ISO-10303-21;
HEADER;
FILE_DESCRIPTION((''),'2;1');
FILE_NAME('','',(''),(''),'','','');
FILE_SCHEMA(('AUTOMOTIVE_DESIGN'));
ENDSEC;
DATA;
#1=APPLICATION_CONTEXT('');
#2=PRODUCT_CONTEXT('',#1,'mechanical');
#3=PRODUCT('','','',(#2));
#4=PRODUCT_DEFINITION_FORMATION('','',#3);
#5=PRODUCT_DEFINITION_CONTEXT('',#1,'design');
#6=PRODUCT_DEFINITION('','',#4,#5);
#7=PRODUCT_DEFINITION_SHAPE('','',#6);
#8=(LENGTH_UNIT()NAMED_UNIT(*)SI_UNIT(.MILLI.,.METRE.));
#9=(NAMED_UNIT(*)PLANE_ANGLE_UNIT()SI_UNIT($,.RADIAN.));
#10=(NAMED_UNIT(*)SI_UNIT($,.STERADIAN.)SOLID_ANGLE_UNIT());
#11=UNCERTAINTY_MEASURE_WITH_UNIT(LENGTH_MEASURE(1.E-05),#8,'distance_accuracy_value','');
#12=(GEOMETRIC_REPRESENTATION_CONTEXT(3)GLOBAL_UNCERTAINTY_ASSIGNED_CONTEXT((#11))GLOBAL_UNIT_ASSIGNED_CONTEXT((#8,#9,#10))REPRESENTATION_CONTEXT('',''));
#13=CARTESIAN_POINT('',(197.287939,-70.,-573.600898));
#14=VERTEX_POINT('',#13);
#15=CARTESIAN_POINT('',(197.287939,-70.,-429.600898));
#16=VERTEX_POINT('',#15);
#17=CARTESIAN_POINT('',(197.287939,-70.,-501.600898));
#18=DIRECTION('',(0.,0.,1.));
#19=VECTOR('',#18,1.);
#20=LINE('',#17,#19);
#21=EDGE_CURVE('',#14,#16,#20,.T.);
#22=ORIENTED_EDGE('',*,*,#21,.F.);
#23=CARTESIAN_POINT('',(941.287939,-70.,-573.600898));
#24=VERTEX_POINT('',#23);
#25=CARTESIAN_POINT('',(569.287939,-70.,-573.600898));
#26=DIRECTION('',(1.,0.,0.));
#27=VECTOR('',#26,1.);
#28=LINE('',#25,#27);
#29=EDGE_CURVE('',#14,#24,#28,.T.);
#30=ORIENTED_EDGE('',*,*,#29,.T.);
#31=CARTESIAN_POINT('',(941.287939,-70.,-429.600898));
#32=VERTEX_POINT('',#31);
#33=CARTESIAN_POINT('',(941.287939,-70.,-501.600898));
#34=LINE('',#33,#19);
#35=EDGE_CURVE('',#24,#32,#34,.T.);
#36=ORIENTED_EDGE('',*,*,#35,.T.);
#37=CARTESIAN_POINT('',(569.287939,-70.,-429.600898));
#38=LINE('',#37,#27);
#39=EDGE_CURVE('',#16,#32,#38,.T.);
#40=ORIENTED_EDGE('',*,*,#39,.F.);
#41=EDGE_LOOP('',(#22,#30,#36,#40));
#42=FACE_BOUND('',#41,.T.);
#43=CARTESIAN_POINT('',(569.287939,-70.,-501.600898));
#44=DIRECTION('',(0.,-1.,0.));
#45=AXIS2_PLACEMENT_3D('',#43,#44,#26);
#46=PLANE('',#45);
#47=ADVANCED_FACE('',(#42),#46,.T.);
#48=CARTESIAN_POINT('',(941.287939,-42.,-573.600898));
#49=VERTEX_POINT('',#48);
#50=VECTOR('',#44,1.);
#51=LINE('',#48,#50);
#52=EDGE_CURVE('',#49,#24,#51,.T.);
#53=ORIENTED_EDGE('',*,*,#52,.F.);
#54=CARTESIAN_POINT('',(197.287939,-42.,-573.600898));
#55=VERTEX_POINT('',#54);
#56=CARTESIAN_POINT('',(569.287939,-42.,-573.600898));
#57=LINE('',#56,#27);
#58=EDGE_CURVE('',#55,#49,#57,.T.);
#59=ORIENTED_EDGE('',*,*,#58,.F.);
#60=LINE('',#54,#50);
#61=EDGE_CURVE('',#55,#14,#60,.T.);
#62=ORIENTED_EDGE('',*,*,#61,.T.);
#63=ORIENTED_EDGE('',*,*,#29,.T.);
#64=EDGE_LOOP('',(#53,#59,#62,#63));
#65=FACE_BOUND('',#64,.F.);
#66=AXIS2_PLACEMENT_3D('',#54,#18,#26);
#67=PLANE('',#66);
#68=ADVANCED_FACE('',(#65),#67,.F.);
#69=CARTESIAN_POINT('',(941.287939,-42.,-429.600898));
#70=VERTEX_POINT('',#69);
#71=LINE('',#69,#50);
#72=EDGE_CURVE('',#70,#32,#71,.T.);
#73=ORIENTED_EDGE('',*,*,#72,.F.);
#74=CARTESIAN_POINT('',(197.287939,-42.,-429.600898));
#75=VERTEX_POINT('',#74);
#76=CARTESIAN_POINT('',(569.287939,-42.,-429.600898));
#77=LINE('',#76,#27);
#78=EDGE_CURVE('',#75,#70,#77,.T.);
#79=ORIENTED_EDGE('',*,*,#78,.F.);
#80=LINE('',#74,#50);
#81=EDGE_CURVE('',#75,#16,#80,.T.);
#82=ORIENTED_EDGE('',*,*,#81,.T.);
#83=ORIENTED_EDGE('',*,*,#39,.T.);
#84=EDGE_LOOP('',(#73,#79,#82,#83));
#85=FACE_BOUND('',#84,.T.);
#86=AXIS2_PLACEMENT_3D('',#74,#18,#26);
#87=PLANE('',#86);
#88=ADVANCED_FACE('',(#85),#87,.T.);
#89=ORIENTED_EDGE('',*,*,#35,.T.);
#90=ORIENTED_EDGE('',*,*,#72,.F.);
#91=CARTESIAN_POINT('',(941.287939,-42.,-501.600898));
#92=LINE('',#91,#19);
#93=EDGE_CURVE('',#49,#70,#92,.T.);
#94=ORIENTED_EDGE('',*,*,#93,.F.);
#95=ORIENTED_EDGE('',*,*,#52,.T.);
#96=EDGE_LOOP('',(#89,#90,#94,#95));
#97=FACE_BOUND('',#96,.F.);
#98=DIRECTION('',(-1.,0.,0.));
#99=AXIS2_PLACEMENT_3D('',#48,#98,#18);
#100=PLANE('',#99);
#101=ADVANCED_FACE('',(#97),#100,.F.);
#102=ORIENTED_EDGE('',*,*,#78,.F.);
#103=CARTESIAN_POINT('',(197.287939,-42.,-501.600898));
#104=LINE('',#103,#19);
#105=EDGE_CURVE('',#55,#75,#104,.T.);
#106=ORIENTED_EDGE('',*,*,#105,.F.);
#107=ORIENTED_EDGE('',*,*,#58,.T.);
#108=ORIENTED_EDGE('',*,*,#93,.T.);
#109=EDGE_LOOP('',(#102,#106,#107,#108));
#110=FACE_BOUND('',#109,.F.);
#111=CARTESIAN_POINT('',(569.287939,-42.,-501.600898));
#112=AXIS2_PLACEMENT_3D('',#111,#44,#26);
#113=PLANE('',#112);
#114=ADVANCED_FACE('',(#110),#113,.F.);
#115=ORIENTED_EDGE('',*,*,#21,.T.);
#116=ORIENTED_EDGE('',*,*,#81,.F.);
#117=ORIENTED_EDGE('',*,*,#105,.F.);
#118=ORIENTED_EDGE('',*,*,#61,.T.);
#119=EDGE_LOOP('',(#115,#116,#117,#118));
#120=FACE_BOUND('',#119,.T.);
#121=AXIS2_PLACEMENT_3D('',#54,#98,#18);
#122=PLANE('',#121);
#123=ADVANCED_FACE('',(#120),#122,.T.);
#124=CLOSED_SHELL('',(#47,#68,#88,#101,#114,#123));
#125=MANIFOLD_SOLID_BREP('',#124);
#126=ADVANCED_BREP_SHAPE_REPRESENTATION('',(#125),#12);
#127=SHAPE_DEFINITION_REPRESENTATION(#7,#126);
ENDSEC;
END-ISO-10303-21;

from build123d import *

# Parameters (mm, degrees)
F0_W     = 1860
F0_H     = 360
F1_DEPTH = 70
F2_SCALE = 0.4


with BuildPart() as f1:
    # F0 (on Front) → F1 (new body)
    with BuildSketch(Plane.XZ):
        with Locations((11.2879388034, -393.6008977369)):
            Rectangle(F0_W, F0_H)
    extrude(amount=F1_DEPTH)


with BuildPart() as f1_1:
    # F2: moved
    add(f1.part.scale(F2_SCALE).moved(Location((564.7727632821, -42, -344.1605386422))))


solid = f1_1.part
